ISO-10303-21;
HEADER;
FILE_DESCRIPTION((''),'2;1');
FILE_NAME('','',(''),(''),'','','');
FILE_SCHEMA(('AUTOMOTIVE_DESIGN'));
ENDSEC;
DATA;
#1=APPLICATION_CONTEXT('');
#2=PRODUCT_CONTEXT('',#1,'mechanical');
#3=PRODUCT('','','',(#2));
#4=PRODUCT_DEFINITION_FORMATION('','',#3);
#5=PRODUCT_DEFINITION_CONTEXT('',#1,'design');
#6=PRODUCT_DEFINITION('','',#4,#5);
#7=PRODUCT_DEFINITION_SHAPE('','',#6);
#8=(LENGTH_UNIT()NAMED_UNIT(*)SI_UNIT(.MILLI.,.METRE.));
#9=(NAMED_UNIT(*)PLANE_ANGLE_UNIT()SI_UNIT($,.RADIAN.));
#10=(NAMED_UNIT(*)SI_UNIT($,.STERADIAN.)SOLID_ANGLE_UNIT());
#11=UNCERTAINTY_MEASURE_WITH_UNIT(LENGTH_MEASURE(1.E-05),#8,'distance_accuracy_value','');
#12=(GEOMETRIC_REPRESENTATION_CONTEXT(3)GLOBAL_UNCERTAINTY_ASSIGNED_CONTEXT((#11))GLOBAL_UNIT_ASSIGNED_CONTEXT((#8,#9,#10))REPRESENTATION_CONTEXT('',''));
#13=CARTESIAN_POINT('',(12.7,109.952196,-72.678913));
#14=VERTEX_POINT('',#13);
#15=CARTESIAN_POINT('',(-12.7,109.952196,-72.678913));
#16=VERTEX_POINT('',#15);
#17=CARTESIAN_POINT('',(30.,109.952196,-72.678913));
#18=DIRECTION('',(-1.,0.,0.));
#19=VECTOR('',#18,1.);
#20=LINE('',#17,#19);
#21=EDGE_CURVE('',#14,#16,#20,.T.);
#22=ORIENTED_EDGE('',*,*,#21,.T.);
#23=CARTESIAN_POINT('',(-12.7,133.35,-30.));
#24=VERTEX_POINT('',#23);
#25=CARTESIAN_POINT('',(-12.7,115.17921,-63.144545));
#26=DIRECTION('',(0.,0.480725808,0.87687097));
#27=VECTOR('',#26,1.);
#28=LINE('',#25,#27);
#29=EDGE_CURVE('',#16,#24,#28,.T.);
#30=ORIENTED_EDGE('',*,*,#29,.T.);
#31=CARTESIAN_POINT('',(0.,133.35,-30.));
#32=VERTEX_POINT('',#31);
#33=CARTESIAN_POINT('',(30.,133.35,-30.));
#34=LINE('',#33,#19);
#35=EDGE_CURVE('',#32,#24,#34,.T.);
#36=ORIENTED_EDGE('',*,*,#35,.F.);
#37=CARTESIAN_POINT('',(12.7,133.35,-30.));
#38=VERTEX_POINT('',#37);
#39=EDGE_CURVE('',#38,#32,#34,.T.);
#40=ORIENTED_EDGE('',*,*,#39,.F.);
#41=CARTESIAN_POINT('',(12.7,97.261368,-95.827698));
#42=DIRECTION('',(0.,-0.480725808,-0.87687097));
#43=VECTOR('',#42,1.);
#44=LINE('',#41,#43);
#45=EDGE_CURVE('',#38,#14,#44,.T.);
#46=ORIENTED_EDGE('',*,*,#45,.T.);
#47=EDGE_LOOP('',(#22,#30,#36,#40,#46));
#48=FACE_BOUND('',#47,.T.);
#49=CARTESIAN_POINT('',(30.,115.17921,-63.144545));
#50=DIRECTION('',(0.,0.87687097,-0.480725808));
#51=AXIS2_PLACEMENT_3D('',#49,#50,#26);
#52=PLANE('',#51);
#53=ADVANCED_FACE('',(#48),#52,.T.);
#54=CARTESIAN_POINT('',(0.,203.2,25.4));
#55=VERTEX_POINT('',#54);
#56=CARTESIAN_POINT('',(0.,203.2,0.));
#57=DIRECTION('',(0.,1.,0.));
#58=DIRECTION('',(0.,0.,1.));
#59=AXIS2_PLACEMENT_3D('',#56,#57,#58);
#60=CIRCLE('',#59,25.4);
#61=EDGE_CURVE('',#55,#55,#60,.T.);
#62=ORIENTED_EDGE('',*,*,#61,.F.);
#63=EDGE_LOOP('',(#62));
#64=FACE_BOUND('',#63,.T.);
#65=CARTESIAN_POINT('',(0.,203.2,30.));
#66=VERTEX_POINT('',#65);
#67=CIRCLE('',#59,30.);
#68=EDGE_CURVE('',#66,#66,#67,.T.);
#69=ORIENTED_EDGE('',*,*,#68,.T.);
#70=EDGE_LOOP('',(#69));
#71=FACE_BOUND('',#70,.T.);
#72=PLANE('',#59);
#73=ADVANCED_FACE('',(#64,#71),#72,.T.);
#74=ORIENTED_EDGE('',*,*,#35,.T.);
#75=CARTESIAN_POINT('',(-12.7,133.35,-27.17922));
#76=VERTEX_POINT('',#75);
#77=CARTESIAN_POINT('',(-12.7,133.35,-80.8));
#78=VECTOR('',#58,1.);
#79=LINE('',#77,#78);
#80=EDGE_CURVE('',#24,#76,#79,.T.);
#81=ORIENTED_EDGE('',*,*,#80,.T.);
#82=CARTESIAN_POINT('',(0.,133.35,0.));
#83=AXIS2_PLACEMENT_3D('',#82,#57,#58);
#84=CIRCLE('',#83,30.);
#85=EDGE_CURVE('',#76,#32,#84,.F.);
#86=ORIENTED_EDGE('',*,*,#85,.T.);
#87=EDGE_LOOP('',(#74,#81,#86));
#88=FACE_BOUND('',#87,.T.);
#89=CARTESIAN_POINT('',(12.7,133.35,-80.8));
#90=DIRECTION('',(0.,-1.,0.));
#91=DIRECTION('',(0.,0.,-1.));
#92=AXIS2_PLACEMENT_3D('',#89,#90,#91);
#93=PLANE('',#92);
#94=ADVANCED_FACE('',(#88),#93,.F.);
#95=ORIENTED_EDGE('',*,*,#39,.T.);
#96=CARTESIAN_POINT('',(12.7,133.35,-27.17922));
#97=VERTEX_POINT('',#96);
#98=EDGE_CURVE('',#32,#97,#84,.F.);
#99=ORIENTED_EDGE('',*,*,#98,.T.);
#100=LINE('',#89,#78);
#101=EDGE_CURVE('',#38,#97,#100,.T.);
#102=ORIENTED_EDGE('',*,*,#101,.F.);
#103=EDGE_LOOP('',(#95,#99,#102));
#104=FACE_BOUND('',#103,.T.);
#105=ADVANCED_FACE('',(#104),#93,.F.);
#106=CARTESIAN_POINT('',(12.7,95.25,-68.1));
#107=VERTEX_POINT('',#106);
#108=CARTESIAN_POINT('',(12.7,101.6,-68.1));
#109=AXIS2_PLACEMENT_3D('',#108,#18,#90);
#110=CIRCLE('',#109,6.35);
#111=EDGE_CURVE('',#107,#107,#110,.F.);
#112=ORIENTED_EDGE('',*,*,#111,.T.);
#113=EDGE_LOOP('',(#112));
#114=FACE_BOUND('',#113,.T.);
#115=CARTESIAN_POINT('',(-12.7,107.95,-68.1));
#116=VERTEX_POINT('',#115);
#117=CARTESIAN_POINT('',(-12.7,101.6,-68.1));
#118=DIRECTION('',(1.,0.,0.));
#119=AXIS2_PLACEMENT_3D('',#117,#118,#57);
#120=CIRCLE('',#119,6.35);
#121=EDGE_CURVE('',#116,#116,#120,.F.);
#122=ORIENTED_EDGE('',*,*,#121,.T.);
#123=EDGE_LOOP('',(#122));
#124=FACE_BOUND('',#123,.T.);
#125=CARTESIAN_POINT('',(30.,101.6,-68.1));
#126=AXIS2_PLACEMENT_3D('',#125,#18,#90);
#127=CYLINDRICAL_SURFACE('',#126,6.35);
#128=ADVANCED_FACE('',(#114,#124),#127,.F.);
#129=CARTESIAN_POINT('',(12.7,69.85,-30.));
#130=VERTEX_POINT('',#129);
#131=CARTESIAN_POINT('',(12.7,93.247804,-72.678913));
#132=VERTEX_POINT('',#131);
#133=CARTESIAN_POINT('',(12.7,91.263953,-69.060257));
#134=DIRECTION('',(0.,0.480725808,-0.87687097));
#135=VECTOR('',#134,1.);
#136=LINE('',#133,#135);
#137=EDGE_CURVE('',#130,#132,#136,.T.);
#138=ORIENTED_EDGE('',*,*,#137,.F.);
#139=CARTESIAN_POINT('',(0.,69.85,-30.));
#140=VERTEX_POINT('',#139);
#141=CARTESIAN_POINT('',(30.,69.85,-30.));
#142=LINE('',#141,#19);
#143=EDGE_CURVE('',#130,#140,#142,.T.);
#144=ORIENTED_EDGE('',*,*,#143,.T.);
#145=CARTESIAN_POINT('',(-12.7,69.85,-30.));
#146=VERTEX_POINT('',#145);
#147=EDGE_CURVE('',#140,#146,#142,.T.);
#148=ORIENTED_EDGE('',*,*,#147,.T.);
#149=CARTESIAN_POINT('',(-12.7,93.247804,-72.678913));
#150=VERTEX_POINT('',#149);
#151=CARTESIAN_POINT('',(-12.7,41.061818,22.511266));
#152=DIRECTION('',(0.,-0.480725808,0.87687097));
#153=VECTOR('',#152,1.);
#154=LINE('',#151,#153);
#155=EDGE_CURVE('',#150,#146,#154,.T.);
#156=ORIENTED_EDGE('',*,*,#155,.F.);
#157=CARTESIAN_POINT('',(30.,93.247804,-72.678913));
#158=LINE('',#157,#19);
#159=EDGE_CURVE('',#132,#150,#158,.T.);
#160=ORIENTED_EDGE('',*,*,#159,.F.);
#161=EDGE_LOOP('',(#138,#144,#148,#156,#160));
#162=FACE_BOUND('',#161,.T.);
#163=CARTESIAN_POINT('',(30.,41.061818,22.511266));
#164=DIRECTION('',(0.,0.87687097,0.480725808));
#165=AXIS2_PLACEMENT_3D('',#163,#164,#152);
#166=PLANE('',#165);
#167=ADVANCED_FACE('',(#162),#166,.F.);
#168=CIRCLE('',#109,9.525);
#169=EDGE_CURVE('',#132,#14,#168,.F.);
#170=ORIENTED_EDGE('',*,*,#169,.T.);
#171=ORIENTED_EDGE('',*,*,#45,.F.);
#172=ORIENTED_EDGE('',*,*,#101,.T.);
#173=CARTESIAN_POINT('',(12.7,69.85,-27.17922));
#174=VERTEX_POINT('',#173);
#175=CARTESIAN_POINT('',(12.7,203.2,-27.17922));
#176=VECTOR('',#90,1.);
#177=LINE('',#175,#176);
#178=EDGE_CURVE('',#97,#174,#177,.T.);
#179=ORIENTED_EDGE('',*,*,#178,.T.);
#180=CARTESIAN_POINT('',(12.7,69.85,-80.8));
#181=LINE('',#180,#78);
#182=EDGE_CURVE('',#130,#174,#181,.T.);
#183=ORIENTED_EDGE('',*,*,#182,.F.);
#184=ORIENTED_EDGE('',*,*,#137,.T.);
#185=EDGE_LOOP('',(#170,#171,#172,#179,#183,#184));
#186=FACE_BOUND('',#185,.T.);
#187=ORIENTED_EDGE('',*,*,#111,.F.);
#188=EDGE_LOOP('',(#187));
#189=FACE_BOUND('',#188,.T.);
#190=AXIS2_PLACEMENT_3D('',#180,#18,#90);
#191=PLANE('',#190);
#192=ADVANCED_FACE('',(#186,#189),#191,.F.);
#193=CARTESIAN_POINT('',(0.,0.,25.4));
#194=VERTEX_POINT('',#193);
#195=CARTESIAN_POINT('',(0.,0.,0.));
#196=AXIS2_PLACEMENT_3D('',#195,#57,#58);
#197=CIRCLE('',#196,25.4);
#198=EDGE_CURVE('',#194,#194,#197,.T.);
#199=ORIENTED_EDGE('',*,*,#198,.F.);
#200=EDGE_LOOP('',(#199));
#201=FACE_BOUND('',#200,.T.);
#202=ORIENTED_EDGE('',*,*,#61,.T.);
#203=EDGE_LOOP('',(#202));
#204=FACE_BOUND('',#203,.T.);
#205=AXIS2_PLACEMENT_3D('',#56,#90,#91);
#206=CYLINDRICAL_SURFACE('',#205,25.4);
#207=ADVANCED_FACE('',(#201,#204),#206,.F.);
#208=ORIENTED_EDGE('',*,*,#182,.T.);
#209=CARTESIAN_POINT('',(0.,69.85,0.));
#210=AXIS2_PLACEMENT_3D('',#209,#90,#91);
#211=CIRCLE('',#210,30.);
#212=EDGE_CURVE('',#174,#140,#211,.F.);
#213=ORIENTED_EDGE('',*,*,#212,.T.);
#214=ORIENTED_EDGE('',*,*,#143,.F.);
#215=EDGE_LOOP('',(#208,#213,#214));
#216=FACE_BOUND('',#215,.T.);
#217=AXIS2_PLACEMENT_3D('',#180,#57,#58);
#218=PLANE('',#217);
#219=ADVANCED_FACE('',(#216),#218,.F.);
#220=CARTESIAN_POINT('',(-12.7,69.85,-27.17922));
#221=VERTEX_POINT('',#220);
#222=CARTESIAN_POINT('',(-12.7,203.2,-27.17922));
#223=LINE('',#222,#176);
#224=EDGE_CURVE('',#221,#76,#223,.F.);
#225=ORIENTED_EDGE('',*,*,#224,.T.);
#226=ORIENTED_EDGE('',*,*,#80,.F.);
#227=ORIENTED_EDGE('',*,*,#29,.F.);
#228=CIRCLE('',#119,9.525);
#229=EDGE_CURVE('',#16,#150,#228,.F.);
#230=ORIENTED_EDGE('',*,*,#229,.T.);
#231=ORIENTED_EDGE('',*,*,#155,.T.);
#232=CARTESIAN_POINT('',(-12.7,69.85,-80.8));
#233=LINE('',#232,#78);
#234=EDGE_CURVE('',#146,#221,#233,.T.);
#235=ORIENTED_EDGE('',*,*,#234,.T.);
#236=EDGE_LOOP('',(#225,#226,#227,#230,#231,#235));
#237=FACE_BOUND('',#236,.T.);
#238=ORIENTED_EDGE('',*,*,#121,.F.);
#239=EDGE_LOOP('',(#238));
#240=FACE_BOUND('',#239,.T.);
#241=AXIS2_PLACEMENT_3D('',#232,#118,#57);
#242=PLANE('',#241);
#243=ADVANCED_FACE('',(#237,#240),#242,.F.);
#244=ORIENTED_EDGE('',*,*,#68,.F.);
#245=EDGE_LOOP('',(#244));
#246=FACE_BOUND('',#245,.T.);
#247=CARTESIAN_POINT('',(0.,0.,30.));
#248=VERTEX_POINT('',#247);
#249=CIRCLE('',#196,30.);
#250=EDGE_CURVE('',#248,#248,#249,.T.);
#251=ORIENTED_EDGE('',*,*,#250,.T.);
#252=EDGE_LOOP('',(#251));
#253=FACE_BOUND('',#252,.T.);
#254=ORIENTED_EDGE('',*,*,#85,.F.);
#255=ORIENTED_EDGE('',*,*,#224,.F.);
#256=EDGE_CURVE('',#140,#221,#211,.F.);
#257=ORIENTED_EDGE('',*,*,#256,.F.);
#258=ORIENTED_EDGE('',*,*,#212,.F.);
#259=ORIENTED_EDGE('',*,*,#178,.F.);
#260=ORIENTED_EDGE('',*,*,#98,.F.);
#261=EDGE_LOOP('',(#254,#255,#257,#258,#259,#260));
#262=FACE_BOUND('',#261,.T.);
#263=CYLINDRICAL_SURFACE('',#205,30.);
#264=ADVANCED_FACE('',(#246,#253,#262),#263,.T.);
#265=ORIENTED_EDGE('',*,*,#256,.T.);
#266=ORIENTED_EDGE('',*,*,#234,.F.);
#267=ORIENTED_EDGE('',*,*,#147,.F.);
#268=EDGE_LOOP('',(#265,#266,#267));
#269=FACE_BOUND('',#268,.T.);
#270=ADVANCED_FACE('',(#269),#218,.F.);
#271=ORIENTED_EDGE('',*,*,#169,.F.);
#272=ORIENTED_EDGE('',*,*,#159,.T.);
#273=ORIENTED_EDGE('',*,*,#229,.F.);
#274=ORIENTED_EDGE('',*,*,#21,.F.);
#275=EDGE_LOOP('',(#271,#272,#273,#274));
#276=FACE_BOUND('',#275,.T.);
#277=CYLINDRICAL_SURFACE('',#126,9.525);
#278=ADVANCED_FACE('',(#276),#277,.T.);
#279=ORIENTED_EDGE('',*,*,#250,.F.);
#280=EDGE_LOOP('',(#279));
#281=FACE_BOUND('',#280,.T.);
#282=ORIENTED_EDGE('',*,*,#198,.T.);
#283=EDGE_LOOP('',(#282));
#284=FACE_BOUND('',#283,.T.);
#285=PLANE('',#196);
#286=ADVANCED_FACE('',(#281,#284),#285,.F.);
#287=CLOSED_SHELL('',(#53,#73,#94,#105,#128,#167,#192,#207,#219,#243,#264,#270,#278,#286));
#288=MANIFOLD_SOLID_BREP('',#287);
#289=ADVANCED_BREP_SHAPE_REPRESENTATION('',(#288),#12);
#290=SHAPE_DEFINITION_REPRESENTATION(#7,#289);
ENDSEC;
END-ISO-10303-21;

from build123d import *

# Parameters (mm, degrees)
SKETCH1_R                            = 30
SKETCH1_R_2                          = 25.4
BOSS_EXTRUDE1_DEPTH                  = 203.2
SKETCH2_W                            = 25.4
SKETCH2_H                            = 63.5
BOSS_EXTRUDE2_DEPTH                  = 50.8
BOSS_EXTRUDE2_DIRECTION_2_REACH      = 215.987
BOSS_EXTRUDE2_DIRECTION_2_END_RADIUS = 30
CUT_EXTRUDE3_REACH                   = 224.805
SKETCH3_R                            = 6.35
CUT_EXTRUDE3_DIRECTION_2_DEPTH       = 223.805228843


with BuildPart() as part:
    # Sketch1 → Boss-Extrude1 (new body)
    with BuildSketch(Plane(origin=(0, 0, 0), x_dir=(1, 0, 0), z_dir=(0, 1, 0))):
        with Locations(Location((0, 0, 0), (0, 0, 270))):
            Circle(SKETCH1_R)
        with Locations(Location((0, 0, 0), (0, 0, 270))):
            Circle(SKETCH1_R_2, mode=Mode.SUBTRACT)
    extrude(amount=BOSS_EXTRUDE1_DEPTH)

    # Sketch2 → Boss-Extrude2 (add)
    with BuildSketch(Plane(origin=(0, 0, -30), x_dir=(-1, 0, 0), z_dir=(0, 0, -1))):
        with Locations((0, 101.6)):
            Rectangle(SKETCH2_W, SKETCH2_H)
    extrude(amount=BOSS_EXTRUDE2_DEPTH)

    # Boss-Extrude2 direction 2: up to this cylinder (the profile starts outside it)
    boss_extrude2_direction_2_end = Plane(origin=(0, 101.6, 0), z_dir=(0, -1, 0)) * Cylinder(BOSS_EXTRUDE2_DIRECTION_2_END_RADIUS, 492.974, mode=Mode.PRIVATE)
    # Sketch2 → Boss-Extrude2 direction 2 (add, up to the surface)
    with BuildSketch(Plane(origin=(0, 0, -30), x_dir=(-1, 0, 0), z_dir=(0, 0, -1)), mode=Mode.PRIVATE) as boss_extrude2_direction_2_sk1:
        with Locations((0, 101.6)):
            Rectangle(SKETCH2_W, SKETCH2_H)
    boss_extrude2_direction_2_tool1 = extrude(boss_extrude2_direction_2_sk1.sketch, amount=-BOSS_EXTRUDE2_DIRECTION_2_REACH, mode=Mode.PRIVATE) - boss_extrude2_direction_2_end
    add(boss_extrude2_direction_2_tool1.solids().sort_by_distance((0, 101.6, -30))[0])
    add(boss_extrude2_direction_2_tool1.solids().sort_by_distance((0, 101.6, -30))[1])

    # Sketch3 → Cut-Extrude3 (cut, up to next)
    with BuildSketch(Plane(origin=(12.7, 0, 0), x_dir=(0, 0, -1), z_dir=(1, 0, 0)), mode=Mode.PRIVATE) as cut_extrude3_sk1:
        with BuildLine():
            Line((72.678913322, 93.247804014), (30, 69.85))
            Line((30, 69.85), (80.8, 69.85))
            Line((80.8, 69.85), (80.8, 133.35))
            Line((80.8, 133.35), (30, 133.35))
            Line((30, 133.35), (72.678913322, 109.952195986))
            ThreePointArc((72.678913322, 109.952195986), (76.295723714, 106.453425368), (77.625, 101.6))
            ThreePointArc((77.625, 101.6), (76.295723714, 96.746574632), (72.678913322, 93.247804014))
        make_face()
    cut_extrude3_tool1 = extrude(cut_extrude3_sk1.sketch, amount=-CUT_EXTRUDE3_REACH, mode=Mode.PRIVATE) & part.part
    # Sketch3 → Cut-Extrude3 (cut, up to next)
    with BuildSketch(Plane(origin=(12.7, 0, 0), x_dir=(0, 0, -1), z_dir=(1, 0, 0)), mode=Mode.PRIVATE) as cut_extrude3_sk2:
        with Locations(Location((68.1, 101.6, 0), (0, 0, 270))):
            Circle(SKETCH3_R)
    cut_extrude3_tool2 = extrude(cut_extrude3_sk2.sketch, amount=-CUT_EXTRUDE3_REACH, mode=Mode.PRIVATE) & part.part
    add(cut_extrude3_tool1.solids().sort_by_distance((12.7, 80.835833, -51.730381))[0], mode=Mode.SUBTRACT)
    add(cut_extrude3_tool2.solids().sort_by_distance((12.7, 101.6, -68.1))[0], mode=Mode.SUBTRACT)

    # Sketch3 → Cut-Extrude3 direction 2 (cut)
    with BuildSketch(Plane(origin=(12.7, 0, 0), x_dir=(0, 0, -1), z_dir=(1, 0, 0))):
        with BuildLine():
            Line((72.678913322, 93.247804014), (30, 69.85))
            Line((30, 69.85), (80.8, 69.85))
            Line((80.8, 69.85), (80.8, 133.35))
            Line((80.8, 133.35), (30, 133.35))
            Line((30, 133.35), (72.678913322, 109.952195986))
            ThreePointArc((72.678913322, 109.952195986), (76.295723714, 106.453425368), (77.625, 101.6))
            ThreePointArc((77.625, 101.6), (76.295723714, 96.746574632), (72.678913322, 93.247804014))
        make_face()
        with Locations(Location((68.1, 101.6, 0), (0, 0, 270))):
            Circle(SKETCH3_R)
    extrude(amount=CUT_EXTRUDE3_DIRECTION_2_DEPTH, mode=Mode.SUBTRACT)


solid = part.part
